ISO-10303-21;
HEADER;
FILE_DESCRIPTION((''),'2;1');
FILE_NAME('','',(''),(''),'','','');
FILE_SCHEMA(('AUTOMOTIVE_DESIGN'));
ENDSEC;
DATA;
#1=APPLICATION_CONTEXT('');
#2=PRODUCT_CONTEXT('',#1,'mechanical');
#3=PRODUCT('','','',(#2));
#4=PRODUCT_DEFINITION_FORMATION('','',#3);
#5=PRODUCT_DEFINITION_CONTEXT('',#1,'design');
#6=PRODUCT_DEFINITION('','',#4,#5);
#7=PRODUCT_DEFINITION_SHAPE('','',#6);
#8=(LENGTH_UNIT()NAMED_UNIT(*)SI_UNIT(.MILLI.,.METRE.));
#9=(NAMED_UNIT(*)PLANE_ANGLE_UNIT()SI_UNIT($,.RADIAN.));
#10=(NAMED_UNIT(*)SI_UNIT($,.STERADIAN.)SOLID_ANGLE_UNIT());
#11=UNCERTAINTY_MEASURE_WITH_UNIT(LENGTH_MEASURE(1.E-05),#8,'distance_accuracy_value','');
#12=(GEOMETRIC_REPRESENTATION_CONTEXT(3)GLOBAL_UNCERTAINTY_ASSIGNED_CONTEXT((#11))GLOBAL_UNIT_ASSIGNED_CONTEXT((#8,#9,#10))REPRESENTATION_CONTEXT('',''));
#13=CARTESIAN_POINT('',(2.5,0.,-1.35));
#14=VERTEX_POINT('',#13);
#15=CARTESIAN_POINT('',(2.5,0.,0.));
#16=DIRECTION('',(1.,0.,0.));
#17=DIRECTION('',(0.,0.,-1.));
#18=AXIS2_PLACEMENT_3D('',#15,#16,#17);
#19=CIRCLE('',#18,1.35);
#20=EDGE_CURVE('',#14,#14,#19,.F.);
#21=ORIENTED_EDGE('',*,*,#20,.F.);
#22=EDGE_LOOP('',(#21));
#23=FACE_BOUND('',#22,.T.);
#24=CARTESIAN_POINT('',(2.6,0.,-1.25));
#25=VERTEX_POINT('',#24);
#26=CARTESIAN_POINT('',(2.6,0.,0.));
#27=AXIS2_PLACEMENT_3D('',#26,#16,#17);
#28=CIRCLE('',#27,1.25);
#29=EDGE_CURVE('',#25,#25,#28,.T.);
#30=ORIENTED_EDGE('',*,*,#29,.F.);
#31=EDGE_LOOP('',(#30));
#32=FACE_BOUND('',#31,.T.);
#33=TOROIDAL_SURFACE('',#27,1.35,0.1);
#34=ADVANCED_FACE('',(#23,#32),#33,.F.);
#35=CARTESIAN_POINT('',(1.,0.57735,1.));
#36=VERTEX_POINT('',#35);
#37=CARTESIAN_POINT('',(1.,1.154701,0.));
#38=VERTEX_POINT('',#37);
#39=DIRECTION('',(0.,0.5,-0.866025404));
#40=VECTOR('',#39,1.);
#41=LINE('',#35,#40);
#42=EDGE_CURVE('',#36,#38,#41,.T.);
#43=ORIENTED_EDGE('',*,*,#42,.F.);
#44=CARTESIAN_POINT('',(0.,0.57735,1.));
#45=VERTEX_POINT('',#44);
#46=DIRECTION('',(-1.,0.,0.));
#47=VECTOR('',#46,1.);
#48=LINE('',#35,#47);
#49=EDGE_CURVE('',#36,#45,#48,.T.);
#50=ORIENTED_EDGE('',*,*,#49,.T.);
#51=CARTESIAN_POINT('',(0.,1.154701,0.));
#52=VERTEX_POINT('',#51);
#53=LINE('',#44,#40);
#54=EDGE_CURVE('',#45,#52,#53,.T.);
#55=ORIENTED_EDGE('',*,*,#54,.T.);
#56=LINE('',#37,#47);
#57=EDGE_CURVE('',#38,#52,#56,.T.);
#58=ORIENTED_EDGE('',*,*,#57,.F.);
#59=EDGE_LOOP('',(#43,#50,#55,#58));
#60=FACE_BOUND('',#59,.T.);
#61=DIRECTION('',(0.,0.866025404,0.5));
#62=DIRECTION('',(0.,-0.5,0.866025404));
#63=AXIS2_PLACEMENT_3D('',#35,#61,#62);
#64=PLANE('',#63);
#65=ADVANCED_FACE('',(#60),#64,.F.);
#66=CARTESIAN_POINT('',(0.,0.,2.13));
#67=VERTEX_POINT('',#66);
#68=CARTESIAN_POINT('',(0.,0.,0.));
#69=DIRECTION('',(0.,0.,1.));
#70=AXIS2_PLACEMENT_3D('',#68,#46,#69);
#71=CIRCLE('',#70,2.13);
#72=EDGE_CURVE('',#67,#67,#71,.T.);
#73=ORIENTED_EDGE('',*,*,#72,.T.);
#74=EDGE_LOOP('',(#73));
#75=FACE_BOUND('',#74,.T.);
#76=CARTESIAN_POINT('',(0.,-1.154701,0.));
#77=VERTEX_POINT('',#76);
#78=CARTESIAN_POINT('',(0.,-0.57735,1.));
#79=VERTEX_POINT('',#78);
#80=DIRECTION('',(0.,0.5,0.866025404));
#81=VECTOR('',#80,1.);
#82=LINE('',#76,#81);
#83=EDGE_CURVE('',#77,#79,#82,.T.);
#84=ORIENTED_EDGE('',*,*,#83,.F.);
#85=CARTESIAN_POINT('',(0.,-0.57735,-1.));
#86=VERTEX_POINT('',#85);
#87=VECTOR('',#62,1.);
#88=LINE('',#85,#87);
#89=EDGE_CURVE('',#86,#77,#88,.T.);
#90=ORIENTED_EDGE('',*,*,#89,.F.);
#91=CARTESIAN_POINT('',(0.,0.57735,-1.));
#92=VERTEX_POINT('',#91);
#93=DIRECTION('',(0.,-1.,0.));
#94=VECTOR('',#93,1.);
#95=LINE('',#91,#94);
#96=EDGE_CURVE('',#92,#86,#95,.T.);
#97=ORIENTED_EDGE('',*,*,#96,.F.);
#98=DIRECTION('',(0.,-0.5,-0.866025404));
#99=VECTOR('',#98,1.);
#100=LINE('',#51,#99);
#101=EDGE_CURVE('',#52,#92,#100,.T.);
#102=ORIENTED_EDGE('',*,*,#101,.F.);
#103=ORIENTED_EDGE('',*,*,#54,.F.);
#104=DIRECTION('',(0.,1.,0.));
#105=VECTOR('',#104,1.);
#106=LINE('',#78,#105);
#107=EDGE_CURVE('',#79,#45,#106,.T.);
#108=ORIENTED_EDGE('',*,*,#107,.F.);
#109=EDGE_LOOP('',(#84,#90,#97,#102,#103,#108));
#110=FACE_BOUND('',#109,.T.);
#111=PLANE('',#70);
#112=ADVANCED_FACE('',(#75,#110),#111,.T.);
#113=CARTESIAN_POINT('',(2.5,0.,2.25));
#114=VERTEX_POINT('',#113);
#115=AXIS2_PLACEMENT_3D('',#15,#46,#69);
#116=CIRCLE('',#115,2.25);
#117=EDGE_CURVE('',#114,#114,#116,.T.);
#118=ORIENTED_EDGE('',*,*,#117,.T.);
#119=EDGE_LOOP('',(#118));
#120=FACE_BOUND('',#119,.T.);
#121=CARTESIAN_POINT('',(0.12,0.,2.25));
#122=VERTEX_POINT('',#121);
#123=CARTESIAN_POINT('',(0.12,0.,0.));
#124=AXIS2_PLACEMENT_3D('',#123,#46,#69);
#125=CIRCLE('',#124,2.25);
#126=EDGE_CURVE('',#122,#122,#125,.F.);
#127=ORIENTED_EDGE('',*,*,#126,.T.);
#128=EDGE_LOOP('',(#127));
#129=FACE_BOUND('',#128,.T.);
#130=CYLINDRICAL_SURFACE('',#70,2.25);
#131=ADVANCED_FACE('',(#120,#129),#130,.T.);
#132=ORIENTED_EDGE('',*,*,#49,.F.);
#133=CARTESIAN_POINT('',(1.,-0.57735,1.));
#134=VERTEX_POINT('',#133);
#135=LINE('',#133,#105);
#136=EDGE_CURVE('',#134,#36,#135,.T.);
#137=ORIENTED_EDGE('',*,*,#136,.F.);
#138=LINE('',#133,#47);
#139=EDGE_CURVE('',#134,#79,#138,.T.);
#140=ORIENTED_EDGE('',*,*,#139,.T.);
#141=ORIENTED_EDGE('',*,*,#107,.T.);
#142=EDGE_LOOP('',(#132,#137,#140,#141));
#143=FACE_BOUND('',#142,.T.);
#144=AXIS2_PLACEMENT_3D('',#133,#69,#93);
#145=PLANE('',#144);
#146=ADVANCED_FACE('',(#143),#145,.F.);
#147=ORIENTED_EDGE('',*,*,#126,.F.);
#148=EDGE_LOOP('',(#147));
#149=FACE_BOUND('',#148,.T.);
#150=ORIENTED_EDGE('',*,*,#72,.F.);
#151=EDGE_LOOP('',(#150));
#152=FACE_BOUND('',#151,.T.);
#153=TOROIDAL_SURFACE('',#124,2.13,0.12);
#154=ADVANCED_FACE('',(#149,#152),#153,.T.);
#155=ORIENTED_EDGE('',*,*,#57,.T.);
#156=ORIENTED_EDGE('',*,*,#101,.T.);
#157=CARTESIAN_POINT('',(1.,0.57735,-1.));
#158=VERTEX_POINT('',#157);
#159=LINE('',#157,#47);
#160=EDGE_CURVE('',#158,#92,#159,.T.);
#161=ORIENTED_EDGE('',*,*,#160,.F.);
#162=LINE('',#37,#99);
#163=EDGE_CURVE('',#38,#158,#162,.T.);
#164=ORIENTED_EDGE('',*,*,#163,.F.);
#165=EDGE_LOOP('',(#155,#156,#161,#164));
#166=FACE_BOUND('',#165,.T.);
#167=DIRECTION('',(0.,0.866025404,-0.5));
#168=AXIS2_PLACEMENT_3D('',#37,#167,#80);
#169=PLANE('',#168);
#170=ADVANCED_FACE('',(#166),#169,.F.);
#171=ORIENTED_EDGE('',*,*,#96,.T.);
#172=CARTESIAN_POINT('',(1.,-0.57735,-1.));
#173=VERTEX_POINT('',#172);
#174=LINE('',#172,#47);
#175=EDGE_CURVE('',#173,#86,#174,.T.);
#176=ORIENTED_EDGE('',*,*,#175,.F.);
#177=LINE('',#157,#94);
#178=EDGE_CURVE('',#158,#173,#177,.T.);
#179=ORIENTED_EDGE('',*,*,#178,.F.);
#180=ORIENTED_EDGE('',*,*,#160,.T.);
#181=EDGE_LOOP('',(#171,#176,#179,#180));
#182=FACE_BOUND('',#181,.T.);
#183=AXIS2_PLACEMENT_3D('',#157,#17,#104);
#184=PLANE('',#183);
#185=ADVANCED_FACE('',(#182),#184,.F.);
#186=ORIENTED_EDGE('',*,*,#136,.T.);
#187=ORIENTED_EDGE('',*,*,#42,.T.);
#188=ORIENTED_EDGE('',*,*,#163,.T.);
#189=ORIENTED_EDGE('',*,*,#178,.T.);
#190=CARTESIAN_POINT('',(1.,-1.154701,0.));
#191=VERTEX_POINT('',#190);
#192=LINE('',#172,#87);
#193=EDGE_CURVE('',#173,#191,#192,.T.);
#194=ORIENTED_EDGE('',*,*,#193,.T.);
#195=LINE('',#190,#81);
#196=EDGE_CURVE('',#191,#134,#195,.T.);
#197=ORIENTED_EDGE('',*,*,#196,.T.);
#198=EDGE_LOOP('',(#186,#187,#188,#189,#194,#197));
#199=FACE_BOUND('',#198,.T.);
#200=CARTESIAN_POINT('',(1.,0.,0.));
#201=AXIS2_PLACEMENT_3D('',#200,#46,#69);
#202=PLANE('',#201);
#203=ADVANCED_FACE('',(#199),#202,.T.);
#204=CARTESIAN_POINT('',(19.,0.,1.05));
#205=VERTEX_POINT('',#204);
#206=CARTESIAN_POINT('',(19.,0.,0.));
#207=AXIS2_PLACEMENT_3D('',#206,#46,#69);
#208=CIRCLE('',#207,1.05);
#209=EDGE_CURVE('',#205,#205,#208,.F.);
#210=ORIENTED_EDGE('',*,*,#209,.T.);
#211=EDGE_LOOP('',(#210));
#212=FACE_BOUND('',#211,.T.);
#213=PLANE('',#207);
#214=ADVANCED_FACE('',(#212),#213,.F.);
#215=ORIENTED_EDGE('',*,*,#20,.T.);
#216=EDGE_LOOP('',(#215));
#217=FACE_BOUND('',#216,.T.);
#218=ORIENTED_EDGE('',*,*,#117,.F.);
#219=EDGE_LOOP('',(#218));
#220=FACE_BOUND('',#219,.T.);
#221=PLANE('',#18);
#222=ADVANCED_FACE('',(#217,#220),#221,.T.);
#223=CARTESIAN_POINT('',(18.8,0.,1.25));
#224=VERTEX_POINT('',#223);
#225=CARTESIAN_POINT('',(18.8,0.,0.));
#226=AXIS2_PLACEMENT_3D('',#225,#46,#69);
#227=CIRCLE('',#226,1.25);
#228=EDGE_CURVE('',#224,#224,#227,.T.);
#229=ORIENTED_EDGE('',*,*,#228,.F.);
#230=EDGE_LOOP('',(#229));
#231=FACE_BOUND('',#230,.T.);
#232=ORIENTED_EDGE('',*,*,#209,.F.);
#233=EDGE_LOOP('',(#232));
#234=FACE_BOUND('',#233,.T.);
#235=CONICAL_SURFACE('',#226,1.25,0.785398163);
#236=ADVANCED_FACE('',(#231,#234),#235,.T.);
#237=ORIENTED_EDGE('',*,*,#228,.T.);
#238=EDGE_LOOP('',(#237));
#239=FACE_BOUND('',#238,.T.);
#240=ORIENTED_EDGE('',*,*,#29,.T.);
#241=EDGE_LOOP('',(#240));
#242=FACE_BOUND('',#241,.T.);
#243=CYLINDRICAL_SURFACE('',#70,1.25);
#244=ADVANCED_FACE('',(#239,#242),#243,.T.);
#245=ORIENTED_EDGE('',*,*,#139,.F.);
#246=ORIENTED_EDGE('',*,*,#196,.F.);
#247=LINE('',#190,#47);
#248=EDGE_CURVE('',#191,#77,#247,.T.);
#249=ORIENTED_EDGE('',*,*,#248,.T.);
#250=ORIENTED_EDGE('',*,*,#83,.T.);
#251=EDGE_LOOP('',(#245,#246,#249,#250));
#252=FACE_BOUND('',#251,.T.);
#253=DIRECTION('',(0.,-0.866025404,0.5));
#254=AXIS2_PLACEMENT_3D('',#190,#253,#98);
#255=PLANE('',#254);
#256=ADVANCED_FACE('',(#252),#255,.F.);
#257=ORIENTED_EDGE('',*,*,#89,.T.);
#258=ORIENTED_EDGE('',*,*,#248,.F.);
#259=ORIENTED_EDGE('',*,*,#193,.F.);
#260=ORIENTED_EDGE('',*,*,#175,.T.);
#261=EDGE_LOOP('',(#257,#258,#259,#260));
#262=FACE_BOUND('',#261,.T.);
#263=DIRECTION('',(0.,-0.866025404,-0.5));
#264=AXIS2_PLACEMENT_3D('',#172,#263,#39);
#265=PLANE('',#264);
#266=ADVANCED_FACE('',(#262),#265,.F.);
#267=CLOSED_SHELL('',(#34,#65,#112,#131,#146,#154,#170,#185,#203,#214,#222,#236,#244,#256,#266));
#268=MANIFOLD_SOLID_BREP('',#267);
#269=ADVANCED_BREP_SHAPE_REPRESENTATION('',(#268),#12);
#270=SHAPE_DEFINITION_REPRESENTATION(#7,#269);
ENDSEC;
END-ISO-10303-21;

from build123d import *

# Parameters (mm, degrees)
FILLET1_R      = 0.1
FILLET2_R      = 0.12
CHAMFER1_SIZE  = 0.2
EXTRUDE1_DEPTH = 1


with BuildPart() as part:
    # Sketch1 → Revolve1 (revolve)
    with BuildSketch(Plane.XY, mode=Mode.PRIVATE) as revolve1_sk:
        Polygon((2.5, 1.25), (2.5, 0), (4.279914881, 0), (19, 0), (19, 1.25), align=None)
        Polygon((0, 2.25), (0, 0), (2.5, 0), (2.5, 1.25), (2.5, 2.25), align=None)
    revolve(revolve1_sk.sketch.rotate(Axis((0, 0, 0), (1, 0, 0)), 90), axis=Axis((0, 0, 0), (1, 0, 0)))

    # Fillet1
    fillet1_edges = [part.edges().sort_by_distance(p)[0] for p in [
        (2.5, 0, -1.25),
    ]]
    fillet(fillet1_edges, radius=FILLET1_R)

    # Fillet2
    fillet2_edges = [part.edges().sort_by_distance(p)[0] for p in [
        (0, 0, -2.25),
    ]]
    fillet(fillet2_edges, radius=FILLET2_R)

    # Chamfer1
    chamfer1_edges = [part.edges().sort_by_distance(p)[0] for p in [
        (19, 0, -1.25),
    ]]
    chamfer(chamfer1_edges, length=CHAMFER1_SIZE)

    # Sketch2 → Extrude1 (cut)
    with BuildSketch(Plane.ZY):
        Polygon((0, 1.154700538), (-1, 0.577350269), (-1, -0.577350269), (0, -1.154700538), (1, -0.577350269), (1, 0.577350269), align=None)
    extrude(amount=-EXTRUDE1_DEPTH, mode=Mode.SUBTRACT)


solid = part.part
